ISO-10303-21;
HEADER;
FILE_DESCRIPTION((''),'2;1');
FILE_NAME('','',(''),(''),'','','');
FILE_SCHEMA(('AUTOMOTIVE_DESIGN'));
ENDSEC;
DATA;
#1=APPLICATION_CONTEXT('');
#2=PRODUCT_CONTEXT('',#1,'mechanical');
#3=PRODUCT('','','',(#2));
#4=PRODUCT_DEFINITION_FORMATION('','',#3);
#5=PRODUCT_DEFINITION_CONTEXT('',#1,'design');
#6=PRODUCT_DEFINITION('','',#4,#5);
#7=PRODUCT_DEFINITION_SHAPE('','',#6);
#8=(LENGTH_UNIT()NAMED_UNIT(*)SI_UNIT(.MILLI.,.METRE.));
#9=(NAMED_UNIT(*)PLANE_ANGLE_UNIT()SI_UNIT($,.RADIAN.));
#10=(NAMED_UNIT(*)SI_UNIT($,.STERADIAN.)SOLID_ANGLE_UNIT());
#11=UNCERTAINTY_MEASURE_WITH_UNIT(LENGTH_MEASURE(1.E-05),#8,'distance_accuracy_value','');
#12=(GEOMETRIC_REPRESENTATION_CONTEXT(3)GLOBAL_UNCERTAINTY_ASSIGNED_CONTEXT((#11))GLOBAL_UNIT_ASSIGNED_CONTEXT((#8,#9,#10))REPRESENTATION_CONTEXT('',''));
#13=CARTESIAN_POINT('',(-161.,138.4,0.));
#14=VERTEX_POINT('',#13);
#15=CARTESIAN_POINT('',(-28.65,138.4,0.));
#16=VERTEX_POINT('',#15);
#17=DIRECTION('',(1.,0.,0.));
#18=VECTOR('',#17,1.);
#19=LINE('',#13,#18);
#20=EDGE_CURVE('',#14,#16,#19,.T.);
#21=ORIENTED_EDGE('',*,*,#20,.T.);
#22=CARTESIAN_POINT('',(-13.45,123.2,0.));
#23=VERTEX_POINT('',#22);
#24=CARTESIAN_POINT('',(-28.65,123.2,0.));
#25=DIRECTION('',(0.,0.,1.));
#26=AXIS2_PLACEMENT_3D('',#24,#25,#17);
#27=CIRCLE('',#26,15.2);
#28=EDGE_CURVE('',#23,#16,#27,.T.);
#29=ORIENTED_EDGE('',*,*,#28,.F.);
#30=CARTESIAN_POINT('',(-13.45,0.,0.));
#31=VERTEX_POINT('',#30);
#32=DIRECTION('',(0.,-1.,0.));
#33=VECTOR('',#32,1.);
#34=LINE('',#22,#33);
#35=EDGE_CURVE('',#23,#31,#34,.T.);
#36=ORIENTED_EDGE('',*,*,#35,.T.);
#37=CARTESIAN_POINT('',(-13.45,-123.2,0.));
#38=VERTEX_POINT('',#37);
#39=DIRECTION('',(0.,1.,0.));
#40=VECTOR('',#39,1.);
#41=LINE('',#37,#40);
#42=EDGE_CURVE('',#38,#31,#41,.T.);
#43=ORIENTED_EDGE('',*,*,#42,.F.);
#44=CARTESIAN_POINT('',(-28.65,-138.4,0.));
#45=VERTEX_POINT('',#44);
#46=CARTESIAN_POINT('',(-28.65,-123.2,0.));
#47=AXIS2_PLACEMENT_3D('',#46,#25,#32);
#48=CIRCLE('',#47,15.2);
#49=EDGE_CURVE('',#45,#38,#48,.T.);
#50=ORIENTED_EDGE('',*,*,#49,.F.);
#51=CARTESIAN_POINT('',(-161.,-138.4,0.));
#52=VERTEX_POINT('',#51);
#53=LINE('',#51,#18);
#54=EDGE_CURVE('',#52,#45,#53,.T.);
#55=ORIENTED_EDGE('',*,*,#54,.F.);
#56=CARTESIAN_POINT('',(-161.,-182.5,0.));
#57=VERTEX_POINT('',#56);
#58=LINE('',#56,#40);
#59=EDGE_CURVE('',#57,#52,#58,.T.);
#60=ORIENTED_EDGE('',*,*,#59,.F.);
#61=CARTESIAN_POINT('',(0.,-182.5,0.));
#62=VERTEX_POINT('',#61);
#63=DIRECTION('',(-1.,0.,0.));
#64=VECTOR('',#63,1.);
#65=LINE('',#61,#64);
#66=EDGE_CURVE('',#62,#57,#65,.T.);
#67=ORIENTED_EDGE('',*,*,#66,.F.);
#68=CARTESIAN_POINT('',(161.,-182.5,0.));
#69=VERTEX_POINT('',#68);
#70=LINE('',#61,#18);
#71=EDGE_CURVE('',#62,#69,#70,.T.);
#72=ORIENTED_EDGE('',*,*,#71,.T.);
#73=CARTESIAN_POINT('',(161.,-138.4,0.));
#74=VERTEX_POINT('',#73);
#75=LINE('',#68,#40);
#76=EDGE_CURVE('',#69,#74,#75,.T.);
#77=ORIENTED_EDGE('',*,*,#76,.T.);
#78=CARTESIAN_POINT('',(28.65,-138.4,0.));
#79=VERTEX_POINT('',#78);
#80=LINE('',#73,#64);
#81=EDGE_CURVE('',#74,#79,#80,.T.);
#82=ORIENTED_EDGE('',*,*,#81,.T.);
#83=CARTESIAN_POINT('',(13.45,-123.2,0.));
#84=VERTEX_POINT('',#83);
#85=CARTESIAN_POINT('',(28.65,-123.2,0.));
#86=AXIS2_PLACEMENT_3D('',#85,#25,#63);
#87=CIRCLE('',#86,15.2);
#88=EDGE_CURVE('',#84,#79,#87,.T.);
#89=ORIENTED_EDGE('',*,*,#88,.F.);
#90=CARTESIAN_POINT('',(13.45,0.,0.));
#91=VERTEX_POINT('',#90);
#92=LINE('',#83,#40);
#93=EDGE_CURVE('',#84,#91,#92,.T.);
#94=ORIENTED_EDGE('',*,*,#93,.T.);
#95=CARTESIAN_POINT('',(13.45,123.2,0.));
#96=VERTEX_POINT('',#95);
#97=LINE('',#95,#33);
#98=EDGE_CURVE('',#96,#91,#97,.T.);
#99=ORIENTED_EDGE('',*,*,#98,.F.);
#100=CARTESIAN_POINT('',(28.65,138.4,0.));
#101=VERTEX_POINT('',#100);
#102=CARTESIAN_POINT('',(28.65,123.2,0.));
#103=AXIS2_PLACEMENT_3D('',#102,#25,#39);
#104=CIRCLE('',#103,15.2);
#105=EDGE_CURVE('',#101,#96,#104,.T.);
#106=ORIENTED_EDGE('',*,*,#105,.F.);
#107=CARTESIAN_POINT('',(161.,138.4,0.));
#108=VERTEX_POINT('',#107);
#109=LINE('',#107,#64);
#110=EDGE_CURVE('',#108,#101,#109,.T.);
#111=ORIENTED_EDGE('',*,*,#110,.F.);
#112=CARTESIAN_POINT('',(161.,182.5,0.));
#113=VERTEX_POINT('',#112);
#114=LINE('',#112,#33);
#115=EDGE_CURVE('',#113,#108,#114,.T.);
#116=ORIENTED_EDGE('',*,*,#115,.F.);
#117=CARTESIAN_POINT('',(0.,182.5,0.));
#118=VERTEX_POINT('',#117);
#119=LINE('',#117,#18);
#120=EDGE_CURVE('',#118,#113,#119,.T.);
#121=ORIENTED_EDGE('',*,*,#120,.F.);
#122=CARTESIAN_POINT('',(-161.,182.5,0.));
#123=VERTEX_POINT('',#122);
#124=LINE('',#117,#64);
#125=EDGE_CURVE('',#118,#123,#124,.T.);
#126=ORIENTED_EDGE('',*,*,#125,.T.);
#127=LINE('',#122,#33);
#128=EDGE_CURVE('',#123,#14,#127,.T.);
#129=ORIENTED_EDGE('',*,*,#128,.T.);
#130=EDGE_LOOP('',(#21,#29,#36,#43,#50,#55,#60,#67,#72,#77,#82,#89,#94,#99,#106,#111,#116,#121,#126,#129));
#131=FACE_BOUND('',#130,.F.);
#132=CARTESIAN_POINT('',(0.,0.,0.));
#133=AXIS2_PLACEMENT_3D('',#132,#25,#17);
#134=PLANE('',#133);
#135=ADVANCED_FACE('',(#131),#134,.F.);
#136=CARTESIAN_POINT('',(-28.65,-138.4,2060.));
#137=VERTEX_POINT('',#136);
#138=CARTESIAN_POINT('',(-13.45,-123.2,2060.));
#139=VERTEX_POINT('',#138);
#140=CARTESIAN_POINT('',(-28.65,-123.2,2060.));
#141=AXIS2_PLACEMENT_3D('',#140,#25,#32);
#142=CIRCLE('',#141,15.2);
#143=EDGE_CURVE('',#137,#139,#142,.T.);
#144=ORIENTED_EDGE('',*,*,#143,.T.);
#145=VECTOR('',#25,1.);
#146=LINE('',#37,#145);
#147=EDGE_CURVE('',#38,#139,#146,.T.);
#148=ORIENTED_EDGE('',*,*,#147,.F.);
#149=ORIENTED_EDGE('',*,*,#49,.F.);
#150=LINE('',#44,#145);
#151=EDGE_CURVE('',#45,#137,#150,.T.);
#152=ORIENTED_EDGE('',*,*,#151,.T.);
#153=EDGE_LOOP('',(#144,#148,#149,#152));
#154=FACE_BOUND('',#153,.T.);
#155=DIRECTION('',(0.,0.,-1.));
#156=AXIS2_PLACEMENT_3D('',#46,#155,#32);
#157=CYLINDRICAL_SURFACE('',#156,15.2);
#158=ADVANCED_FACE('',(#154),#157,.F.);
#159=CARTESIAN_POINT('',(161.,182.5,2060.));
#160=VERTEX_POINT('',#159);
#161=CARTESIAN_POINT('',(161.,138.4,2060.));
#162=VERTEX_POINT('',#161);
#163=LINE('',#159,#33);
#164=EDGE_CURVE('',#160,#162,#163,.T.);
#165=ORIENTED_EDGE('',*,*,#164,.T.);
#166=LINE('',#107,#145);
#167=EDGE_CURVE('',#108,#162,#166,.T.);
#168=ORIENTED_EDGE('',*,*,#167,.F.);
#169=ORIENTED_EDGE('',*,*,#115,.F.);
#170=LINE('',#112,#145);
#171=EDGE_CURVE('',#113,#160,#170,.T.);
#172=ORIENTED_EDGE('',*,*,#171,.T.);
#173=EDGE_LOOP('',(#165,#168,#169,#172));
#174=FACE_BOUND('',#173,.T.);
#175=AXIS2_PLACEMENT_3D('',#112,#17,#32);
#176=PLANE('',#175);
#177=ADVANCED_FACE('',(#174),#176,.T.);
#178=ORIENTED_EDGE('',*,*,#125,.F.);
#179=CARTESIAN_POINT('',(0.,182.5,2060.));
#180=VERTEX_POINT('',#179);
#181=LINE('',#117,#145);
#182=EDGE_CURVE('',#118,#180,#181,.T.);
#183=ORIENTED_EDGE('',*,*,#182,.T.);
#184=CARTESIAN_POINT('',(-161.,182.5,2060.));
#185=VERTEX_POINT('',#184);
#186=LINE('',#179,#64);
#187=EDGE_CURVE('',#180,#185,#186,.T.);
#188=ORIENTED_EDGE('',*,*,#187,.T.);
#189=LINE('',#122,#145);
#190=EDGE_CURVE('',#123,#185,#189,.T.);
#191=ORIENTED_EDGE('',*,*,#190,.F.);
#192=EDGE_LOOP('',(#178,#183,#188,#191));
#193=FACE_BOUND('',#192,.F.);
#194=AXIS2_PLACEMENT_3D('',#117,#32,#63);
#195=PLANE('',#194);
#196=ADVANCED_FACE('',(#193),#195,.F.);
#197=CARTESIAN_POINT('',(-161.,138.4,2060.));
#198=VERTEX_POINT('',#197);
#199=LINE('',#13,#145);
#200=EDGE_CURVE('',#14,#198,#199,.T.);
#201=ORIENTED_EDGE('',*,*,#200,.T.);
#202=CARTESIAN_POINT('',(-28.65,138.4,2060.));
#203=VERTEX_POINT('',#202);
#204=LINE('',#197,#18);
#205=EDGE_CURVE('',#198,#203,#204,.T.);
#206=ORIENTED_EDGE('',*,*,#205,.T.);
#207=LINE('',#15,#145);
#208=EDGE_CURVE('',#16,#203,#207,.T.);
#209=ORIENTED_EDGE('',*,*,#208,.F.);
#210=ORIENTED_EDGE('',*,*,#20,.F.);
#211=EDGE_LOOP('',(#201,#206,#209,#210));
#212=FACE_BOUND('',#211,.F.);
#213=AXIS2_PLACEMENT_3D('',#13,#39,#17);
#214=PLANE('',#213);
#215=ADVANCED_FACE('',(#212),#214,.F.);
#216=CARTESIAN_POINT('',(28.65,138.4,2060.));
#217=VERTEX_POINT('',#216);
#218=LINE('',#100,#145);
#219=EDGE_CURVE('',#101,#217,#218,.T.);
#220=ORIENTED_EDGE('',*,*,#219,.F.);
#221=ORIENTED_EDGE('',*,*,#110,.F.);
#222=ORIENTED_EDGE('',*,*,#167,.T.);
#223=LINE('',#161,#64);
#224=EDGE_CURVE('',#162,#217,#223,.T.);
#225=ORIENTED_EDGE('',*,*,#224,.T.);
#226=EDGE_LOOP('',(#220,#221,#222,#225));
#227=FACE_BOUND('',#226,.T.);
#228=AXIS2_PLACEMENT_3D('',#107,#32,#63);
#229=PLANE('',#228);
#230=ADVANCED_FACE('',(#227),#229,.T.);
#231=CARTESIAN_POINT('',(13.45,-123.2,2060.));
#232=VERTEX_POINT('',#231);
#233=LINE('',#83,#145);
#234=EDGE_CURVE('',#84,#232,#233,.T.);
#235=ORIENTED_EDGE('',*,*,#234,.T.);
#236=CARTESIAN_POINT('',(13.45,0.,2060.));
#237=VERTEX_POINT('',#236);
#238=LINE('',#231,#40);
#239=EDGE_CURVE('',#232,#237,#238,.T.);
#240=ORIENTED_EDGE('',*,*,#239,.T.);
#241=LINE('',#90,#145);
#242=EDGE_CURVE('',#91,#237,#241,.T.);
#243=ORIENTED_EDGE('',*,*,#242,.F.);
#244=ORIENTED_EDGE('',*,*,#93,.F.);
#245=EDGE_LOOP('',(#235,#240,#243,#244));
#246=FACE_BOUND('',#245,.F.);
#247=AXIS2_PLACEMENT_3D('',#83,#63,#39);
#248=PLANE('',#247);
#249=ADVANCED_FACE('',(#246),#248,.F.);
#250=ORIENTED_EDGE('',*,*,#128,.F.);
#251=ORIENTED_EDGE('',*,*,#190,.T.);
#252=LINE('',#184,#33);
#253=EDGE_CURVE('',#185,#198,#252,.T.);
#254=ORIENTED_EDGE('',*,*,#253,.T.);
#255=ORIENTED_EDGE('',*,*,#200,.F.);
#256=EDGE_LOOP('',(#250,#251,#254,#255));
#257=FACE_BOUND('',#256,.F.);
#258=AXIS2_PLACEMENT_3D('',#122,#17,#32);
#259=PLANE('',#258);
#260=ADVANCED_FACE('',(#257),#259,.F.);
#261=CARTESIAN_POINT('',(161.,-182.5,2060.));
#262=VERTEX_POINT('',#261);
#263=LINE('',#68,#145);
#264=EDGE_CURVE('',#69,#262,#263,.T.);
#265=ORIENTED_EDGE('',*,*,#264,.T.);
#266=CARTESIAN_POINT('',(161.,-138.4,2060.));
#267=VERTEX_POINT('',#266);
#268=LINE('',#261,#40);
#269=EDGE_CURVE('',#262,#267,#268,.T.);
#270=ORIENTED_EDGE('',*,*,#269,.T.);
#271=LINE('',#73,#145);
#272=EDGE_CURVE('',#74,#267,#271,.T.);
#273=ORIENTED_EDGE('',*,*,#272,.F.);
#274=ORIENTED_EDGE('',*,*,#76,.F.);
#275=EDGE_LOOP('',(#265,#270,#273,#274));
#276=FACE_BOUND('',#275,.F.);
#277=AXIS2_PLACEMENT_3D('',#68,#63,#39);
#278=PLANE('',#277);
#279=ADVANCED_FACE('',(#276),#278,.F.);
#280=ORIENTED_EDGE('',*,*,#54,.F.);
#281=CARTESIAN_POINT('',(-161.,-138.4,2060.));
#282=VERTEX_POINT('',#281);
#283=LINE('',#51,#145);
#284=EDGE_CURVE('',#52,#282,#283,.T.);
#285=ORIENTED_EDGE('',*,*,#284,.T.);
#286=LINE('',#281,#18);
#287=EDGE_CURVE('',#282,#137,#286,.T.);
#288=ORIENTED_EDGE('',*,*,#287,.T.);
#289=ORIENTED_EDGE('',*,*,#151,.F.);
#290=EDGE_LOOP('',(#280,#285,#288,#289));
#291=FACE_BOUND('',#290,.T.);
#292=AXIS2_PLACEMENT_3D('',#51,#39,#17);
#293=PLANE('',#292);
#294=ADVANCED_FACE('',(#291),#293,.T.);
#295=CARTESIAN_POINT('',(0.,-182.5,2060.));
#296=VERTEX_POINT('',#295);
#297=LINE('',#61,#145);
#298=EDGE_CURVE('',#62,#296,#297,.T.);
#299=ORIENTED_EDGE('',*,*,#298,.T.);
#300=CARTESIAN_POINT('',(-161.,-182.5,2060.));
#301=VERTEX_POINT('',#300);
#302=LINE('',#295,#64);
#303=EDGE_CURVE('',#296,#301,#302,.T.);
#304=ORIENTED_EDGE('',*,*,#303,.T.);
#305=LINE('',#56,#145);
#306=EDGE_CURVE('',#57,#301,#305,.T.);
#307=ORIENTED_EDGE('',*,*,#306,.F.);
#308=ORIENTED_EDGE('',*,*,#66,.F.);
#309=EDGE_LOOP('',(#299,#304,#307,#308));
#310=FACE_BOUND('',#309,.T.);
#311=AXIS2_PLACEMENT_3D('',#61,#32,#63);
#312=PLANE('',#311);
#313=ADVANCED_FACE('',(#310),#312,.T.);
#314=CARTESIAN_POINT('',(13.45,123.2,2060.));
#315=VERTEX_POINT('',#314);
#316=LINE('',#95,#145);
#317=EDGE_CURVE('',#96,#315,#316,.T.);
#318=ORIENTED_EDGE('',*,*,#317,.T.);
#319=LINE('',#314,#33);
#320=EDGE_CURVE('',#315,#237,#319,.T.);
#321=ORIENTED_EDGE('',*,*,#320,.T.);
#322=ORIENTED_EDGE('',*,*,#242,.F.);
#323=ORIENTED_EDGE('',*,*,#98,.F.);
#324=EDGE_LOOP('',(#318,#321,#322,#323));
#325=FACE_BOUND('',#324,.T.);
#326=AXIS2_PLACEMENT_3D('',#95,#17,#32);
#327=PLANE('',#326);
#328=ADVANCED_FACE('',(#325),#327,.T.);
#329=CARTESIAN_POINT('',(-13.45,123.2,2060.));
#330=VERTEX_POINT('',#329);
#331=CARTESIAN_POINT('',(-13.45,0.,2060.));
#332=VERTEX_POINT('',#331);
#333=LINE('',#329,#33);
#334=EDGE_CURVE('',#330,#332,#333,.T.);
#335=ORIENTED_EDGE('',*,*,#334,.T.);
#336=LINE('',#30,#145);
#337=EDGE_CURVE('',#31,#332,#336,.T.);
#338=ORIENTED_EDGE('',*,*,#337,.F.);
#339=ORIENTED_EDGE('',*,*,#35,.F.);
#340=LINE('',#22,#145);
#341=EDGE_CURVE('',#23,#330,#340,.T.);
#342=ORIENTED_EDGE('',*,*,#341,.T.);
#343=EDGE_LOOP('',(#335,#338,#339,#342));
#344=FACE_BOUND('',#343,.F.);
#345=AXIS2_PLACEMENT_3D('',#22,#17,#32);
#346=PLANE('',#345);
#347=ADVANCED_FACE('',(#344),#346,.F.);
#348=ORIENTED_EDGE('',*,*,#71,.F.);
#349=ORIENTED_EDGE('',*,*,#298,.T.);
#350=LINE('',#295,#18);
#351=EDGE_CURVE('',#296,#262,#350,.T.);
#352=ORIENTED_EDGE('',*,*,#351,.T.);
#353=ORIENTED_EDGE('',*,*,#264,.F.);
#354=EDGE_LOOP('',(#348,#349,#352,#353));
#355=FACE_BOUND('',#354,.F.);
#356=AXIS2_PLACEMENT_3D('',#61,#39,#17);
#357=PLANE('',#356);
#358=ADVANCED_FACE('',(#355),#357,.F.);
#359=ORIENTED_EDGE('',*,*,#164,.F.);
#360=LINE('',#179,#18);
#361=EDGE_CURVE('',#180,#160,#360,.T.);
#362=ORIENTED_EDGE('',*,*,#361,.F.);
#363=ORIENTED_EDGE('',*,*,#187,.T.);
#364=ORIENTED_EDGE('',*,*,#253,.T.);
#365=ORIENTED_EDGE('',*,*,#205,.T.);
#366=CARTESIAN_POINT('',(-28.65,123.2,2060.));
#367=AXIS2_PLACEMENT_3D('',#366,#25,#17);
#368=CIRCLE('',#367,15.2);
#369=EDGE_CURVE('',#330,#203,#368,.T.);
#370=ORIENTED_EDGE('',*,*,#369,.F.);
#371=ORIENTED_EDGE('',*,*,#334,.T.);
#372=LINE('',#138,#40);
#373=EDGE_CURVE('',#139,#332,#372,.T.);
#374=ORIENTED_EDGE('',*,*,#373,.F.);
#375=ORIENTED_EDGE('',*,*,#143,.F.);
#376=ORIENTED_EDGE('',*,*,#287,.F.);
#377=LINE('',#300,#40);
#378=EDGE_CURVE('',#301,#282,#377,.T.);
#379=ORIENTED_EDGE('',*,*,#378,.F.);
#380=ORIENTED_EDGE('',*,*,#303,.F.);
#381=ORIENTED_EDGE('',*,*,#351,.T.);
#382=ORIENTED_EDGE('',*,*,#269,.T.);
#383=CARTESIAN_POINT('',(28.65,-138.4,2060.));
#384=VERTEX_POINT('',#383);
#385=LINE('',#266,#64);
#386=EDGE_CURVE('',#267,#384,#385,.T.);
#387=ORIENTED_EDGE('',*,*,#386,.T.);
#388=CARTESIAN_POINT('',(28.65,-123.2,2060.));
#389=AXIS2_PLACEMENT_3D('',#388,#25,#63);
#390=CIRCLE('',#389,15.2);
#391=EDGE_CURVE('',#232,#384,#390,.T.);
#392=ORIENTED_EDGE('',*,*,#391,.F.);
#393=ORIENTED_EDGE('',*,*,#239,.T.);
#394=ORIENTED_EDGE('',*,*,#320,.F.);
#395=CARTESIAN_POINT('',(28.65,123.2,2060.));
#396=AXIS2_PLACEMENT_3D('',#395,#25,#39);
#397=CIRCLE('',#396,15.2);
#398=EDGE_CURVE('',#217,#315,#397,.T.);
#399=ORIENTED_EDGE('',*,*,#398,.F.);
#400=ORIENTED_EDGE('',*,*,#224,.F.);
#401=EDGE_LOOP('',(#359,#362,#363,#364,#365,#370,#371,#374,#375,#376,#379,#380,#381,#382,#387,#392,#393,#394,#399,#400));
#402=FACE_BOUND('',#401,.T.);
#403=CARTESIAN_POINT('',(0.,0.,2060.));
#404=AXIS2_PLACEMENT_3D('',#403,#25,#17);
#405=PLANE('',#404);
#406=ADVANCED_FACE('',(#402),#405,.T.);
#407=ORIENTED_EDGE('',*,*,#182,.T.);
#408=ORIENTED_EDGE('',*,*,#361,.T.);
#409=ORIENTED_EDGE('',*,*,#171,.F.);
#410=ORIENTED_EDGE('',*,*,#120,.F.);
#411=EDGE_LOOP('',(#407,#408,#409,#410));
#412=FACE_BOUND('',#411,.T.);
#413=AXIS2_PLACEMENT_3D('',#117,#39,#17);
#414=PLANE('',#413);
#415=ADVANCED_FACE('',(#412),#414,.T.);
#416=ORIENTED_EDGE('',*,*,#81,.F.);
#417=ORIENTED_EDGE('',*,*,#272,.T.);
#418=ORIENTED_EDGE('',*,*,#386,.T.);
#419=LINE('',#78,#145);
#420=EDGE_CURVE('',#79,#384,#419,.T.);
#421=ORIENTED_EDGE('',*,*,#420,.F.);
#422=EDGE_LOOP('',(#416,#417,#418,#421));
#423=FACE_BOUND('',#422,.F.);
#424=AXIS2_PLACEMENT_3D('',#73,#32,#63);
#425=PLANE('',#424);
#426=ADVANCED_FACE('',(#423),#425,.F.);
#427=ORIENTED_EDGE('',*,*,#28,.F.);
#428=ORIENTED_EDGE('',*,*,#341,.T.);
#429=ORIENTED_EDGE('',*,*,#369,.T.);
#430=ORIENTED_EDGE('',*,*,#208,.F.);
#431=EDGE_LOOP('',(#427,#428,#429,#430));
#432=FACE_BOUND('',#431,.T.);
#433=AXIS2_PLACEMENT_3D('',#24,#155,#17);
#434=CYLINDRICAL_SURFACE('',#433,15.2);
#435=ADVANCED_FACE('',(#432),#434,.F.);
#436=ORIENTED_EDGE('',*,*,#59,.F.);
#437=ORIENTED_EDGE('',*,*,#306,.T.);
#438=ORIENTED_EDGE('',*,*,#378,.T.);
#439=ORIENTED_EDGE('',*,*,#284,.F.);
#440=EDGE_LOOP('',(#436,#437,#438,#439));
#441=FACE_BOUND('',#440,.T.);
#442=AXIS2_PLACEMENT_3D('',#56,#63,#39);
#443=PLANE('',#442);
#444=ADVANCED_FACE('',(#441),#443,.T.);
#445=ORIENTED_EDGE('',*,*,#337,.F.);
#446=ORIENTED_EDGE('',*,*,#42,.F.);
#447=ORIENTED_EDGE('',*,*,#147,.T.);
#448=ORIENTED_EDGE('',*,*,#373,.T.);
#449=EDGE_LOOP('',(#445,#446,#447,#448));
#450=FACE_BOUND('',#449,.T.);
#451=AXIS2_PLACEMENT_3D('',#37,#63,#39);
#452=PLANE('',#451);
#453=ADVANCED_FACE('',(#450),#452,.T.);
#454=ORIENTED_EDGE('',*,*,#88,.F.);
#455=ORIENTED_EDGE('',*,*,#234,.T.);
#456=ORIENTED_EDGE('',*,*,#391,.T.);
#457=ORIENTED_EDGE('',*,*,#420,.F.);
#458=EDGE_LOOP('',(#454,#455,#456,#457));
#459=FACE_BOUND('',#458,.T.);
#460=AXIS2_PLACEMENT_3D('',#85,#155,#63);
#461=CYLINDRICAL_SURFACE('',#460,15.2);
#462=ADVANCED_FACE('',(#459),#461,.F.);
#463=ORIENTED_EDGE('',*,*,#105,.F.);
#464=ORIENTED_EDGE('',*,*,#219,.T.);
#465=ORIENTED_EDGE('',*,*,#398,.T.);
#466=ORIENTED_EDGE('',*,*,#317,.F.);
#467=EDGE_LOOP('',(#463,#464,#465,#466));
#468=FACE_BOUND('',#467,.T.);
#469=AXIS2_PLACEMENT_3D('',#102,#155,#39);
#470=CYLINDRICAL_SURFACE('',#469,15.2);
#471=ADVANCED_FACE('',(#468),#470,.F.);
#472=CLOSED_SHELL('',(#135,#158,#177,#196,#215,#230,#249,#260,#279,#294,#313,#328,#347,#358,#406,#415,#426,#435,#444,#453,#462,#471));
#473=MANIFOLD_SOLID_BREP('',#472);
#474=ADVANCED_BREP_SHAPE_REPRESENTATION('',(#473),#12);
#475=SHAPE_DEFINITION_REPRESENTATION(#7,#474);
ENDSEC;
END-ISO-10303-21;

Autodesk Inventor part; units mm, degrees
ref_plane "YZ Plane" through (0, 0, 0) normal (1, 0, 0) x (0, 1, 0)
ref_plane "Start plane" through (0, 0, 0) normal (0, 0, 1) x (1, 0, 0)
ref_plane "End plane" through (0, 0, 2060) normal (0, 0, 1) x (1, 0, 0)
sketch "Sketch" plane through (0, 0, 0) normal (0, 0, 1) x (1, 0, 0)
  line L0 (-161, -182.5) -> (-161, -138.4)
  line L1 (-161, -138.4) -> (-28.65, -138.4)
  line L2 (-13.45, -123.2) -> (-13.45, 0)
  line L3 (-13.45, 0) -> (0, 0) construction
  line L4 (0, 0) -> (0, -182.5) construction
  line L5 (0, -182.5) -> (-161, -182.5)
  line L6 (-60, 0) -> (80, 0) construction
  line L7 (0, -60) -> (0, 80) construction
  line L8 (161, -182.5) -> (161, -138.4)
  line L9 (161, -138.4) -> (28.65, -138.4)
  line L10 (13.45, -123.2) -> (13.45, 0)
  line L11 (13.45, 0) -> (0, 0) construction
  line L12 (0, -182.5) -> (161, -182.5)
  line L13 (-161, 182.5) -> (-161, 138.4)
  line L14 (-161, 138.4) -> (-28.65, 138.4)
  line L15 (-13.45, 123.2) -> (-13.45, 0)
  line L16 (0, 182.5) -> (-161, 182.5)
  line L17 (161, 182.5) -> (161, 138.4)
  line L18 (161, 138.4) -> (28.65, 138.4)
  line L19 (0, 182.5) -> (161, 182.5)
  line L20 (13.45, 123.2) -> (13.45, 0)
  arc A0 (-13.45, 123.2) -> (-28.65, 138.4) centre (-28.65, 123.2) ccw
  arc A1 (28.65, 138.4) -> (13.45, 123.2) centre (28.65, 123.2) ccw
  arc A2 (13.45, -123.2) -> (28.65, -138.4) centre (28.65, -123.2) ccw
  arc A3 (-28.65, -138.4) -> (-13.45, -123.2) centre (-28.65, -123.2) ccw
  line L21 (0, 108) -> (0, -88) construction
  line L22 (-88, 0) -> (108, 0) construction
  point P0 (-13.45, -138.4)
  point P1 (13.45, -138.4)
  point P2 (-13.45, 138.4)
  point P3 (13.45, 138.4)
  dimension "d1" = 182.5
  dimension "d2" = 44.1
  dimension "d3" = 161
  dimension "d4" = 13.45
  dimension "d10" = 15.2
extrude "Body" add sketch "Sketch" along normal up to surface (2060 mm away) from surface at 0
sketch "Sketch4" plane through (0, 0, 0) normal (0, 0, 1) x (1, 0, 0)
  line L0 (0, 0) -> (10, 0)
ref_plane "Work Plane3" through (0, 0, 0) normal (0, -1, 0) x (1, 0, 0)
sketch "Sketch5" plane through (0, 0, 0) normal (0, -1, 0) x (1, 0, 0)
  line L0 (-2, 0) -> (12, 0) projected
  line L1 (-2, 2060) -> (12, 2060) projected
  dimension "d14" = 2060
equation "\"d1\" = 0.5 * G_H"
equation "\"d2\" = G_T1"
equation "\"d3\" = 0.5 * G_W"
equation "\"d4\" = 0.5 * G_T"
equation "\"d10\" = G_IR"
equation "\"d5\" = G_L"
equation "\"G_W\" = 322"
equation "\"G_H\" = 365"
equation "\"G_T\" = 26.9"
equation "\"G_T1\" = 44.1"
equation "\"G_IR\" = 15.2"
equation "\"G_L\" = d14"
equation "\"G_OFFSET_START\" = 0"
equation "\"G_OFFSET_END\" = 0"
properties part number "AS 3679 - 310 UC - 283 - 2060" material "Steel, Mild"
